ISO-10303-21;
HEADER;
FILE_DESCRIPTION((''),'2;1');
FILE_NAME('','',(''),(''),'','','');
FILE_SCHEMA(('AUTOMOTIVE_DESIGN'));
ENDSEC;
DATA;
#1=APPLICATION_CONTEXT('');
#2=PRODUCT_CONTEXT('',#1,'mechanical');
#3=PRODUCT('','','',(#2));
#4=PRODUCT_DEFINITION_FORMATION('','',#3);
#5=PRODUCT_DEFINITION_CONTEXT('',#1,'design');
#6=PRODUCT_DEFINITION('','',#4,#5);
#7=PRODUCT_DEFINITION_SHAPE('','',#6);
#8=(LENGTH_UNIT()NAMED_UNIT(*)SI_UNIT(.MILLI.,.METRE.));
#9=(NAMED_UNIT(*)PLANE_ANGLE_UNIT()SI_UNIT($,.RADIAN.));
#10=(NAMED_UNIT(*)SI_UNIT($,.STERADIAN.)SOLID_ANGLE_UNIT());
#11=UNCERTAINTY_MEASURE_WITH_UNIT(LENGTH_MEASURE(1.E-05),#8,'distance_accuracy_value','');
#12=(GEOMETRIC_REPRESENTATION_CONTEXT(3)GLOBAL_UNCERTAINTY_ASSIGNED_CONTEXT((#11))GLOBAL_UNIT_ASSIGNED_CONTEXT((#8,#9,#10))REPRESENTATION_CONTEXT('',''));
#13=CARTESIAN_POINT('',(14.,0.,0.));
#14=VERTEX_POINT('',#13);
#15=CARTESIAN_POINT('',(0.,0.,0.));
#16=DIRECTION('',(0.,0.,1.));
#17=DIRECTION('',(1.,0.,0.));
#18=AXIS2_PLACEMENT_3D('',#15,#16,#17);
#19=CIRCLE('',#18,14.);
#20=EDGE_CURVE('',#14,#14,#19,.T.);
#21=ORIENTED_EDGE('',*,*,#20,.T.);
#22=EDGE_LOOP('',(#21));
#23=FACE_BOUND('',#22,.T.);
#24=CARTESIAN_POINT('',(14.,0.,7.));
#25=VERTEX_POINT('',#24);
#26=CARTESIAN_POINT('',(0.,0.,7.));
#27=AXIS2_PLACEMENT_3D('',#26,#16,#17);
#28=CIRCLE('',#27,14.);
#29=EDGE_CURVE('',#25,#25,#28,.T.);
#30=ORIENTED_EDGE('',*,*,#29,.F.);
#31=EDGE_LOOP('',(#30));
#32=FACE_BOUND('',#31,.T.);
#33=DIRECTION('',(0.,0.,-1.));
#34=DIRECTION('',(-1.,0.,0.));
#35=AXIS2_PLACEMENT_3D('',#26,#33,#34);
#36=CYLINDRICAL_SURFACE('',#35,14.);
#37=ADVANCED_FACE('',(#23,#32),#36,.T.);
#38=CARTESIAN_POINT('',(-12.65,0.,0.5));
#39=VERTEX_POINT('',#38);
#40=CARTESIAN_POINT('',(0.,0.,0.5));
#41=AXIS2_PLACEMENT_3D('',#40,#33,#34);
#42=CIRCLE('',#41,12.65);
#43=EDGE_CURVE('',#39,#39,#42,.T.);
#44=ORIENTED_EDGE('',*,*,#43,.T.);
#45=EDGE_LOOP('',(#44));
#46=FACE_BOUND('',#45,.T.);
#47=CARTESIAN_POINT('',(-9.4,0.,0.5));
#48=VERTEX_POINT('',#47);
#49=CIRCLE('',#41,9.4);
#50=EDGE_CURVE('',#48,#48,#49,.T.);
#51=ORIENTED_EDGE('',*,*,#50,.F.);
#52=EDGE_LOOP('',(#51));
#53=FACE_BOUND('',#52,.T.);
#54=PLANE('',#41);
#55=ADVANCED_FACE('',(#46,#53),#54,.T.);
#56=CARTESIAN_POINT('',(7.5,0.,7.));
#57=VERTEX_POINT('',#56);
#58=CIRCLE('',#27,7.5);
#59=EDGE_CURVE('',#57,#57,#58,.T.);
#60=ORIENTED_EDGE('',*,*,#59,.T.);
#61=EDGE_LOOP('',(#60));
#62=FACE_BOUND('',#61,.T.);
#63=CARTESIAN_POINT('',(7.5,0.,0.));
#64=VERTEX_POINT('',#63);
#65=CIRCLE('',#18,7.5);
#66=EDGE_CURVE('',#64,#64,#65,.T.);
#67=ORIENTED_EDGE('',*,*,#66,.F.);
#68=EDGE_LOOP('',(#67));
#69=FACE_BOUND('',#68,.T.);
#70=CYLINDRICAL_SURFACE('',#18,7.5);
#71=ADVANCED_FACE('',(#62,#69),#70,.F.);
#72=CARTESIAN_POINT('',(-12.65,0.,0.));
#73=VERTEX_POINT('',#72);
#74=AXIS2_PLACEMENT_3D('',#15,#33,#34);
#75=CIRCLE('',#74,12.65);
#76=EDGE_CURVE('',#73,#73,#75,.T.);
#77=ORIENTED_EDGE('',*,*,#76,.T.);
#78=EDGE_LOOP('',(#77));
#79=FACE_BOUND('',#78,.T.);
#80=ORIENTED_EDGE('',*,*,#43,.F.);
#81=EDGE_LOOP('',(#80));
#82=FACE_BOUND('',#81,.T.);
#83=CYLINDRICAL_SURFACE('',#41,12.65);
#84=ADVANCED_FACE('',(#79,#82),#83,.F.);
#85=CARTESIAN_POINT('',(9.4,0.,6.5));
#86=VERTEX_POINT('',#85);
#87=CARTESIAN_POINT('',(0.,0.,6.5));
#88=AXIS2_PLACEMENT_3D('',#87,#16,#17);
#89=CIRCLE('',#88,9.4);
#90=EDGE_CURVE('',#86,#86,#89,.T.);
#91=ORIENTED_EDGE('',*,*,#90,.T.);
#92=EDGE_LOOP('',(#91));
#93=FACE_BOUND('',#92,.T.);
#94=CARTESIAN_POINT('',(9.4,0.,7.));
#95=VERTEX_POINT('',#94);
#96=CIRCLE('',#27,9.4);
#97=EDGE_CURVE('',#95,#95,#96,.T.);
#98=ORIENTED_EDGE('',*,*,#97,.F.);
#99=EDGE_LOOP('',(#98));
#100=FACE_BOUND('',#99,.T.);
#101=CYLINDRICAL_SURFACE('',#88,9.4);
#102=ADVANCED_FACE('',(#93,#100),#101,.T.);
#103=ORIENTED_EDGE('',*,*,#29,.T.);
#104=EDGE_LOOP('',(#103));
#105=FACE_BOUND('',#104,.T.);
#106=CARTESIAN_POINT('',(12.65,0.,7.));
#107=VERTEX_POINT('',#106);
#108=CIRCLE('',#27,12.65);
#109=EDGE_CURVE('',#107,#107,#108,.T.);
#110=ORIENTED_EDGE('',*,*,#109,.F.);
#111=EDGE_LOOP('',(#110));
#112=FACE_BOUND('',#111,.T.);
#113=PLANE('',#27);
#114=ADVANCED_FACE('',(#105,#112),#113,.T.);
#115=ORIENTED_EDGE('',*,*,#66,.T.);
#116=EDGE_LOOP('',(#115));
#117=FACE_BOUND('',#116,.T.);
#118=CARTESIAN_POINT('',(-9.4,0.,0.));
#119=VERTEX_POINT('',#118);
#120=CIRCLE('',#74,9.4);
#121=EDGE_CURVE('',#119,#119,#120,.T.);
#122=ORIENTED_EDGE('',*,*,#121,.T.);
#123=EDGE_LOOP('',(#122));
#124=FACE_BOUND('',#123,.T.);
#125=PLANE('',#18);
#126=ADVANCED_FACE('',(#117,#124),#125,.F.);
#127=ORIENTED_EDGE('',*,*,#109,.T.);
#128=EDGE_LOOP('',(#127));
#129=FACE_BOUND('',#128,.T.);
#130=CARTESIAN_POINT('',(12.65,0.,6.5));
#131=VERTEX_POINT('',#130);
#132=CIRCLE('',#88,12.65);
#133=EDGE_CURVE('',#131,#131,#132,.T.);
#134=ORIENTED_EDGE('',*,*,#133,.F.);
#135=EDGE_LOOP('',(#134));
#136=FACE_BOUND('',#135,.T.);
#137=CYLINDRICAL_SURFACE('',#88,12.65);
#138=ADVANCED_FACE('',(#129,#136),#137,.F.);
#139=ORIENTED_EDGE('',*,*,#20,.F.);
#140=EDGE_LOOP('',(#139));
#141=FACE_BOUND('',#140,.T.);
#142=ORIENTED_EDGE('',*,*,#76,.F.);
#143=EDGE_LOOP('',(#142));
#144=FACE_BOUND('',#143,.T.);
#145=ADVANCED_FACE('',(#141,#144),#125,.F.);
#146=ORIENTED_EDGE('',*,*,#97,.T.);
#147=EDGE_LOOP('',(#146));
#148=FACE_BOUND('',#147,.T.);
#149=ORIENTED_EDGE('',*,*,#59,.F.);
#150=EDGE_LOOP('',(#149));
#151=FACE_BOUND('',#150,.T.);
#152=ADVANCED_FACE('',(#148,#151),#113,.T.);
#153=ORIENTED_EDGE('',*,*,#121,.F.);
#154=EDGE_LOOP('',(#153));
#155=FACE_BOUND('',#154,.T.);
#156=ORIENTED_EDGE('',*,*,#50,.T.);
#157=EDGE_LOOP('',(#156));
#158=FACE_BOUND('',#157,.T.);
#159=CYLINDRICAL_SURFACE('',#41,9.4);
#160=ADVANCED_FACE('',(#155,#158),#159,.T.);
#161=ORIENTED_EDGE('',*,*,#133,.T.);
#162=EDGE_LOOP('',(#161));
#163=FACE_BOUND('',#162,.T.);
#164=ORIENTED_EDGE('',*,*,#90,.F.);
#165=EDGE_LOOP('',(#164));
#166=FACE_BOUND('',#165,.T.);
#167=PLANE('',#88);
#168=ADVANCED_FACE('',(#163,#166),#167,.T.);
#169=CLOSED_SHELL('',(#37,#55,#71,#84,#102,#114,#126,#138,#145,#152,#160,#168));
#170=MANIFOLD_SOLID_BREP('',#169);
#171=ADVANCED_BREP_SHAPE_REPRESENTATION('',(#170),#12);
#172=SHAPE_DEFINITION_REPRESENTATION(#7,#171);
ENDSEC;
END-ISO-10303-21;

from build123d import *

# Parameters (mm, degrees)
SKETCH_1_R          = 14
EXTRUDE_1_DEPTH     = 7
SKETCH_2_R          = 7.5
CUT_EXTRUDE_1_DEPTH = 8
SKETCH_3_R          = 12.65
SKETCH_3_R_2        = 9.4
CUT_EXTRUDE_2_DEPTH = 0.5
SKETCH_4_R          = 12.65
SKETCH_4_R_2        = 9.4
CUT_EXTRUDE_3_DEPTH = 0.5


with BuildPart() as part:
    # 草圖1 → 填料-伸長1 (new body)
    with BuildSketch(Plane.XY):
        Circle(SKETCH_1_R)
    extrude(amount=EXTRUDE_1_DEPTH)

    # 草圖2 → 除料-伸長1 (cut, through all)
    with BuildSketch(Plane.XY.offset(7)):
        Circle(SKETCH_2_R)
    extrude(amount=-CUT_EXTRUDE_1_DEPTH, mode=Mode.SUBTRACT)

    # 草圖3 → 除料-伸長2 (cut)
    with BuildSketch(Plane.XY.offset(7)):
        Circle(SKETCH_3_R)
        Circle(SKETCH_3_R_2, mode=Mode.SUBTRACT)
    extrude(amount=-CUT_EXTRUDE_2_DEPTH, mode=Mode.SUBTRACT)

    # 草圖4 → 除料-伸長3 (cut)
    with BuildSketch(Plane(origin=(0, 0, 0), x_dir=(-1, 0, 0), z_dir=(0, 0, -1))):
        Circle(SKETCH_4_R)
        Circle(SKETCH_4_R_2, mode=Mode.SUBTRACT)
    extrude(amount=-CUT_EXTRUDE_3_DEPTH, mode=Mode.SUBTRACT)


solid = part.part
